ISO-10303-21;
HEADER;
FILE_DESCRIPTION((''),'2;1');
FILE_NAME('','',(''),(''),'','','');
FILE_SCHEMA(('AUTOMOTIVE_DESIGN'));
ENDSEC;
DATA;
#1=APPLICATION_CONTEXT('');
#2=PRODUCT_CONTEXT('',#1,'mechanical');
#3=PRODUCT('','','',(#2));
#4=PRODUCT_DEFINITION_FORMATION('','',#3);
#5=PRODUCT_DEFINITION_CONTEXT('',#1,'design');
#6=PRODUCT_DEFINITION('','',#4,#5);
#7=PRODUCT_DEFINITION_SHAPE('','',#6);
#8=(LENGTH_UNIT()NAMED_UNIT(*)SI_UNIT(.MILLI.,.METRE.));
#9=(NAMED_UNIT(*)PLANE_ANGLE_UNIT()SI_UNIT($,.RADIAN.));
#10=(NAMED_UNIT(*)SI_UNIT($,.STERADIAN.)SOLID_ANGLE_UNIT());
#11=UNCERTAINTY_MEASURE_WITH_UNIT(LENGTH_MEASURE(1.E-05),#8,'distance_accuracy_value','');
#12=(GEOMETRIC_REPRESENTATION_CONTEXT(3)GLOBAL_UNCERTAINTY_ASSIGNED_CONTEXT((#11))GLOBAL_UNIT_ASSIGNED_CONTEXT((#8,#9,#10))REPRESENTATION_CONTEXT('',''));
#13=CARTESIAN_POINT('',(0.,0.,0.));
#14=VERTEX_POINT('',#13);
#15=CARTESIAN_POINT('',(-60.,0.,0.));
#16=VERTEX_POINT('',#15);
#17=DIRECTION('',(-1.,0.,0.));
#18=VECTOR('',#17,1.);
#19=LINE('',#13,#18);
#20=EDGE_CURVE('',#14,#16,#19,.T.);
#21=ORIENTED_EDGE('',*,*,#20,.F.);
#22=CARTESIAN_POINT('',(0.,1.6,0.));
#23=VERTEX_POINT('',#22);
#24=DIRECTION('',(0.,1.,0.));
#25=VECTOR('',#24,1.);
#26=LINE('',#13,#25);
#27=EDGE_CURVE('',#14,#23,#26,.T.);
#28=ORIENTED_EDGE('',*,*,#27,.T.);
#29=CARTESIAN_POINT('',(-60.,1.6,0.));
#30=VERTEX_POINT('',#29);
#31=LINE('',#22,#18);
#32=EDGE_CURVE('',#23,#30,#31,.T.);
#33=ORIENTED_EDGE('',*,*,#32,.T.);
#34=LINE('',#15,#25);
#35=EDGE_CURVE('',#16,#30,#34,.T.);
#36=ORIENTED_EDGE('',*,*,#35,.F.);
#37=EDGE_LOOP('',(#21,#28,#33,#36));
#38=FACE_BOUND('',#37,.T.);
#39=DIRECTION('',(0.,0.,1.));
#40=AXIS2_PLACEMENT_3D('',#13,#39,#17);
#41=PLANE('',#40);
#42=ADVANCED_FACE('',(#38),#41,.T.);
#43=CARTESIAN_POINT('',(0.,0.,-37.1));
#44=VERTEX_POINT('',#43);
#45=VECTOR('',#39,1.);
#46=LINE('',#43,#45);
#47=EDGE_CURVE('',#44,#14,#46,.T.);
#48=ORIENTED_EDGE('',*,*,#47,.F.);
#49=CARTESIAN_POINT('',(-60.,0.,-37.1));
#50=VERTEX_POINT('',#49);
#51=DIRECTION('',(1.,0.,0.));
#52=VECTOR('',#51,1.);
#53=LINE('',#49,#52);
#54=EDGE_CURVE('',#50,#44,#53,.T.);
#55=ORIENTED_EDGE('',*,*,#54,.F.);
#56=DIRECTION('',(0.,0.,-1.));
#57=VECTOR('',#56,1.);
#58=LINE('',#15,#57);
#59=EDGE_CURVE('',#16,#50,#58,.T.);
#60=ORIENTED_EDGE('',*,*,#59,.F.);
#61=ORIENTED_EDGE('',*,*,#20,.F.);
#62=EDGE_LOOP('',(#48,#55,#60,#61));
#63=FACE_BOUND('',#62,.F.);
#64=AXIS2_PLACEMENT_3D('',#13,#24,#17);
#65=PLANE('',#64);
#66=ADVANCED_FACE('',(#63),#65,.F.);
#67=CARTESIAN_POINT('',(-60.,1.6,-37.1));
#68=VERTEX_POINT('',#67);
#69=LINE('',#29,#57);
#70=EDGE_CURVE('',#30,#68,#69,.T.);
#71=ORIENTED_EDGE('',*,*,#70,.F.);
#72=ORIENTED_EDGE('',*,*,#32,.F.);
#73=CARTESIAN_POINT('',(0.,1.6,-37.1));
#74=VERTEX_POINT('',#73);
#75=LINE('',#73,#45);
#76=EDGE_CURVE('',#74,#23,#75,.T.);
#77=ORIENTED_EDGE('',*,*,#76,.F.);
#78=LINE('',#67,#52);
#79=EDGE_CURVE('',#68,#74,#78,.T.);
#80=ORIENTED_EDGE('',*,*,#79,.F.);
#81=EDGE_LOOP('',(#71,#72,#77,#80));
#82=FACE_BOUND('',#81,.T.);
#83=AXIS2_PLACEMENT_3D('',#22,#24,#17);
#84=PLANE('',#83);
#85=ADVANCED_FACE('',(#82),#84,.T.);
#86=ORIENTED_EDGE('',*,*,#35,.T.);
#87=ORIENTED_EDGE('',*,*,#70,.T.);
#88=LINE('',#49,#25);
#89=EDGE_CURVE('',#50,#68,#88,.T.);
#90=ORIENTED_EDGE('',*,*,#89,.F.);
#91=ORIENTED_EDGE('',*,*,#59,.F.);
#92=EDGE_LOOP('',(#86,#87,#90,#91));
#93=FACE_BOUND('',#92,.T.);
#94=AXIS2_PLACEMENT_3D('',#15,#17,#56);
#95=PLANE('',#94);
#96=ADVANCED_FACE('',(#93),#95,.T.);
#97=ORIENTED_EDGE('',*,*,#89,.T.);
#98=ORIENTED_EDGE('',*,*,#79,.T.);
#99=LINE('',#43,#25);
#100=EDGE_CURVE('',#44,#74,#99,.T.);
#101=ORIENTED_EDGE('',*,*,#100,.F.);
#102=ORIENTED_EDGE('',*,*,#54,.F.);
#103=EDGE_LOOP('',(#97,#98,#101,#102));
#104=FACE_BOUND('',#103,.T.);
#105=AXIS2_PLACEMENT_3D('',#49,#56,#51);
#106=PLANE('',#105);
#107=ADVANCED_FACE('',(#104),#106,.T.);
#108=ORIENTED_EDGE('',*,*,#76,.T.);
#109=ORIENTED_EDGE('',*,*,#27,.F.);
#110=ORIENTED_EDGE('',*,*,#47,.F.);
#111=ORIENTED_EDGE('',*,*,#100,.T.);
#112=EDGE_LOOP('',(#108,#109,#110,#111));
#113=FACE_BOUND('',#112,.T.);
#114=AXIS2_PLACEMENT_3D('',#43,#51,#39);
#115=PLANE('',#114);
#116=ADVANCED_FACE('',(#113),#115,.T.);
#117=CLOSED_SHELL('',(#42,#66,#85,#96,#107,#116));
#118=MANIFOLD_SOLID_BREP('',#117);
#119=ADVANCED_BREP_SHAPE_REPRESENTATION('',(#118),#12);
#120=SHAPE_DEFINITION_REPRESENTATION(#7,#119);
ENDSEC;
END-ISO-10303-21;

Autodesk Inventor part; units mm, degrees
ref_plane "YZ Plane" through (0, 0, 0) normal (1, 0, 0) x (0, 1, 0)
ref_plane "XZ Plane" through (0, 0, 0) normal (0, 1, 0) x (-1, 0, 0)
ref_plane "XY Plane" through (0, 0, 0) normal (0, 0, 1) x (1, 0, 0)
sketch "スケッチ1" plane through (0, 0, 0) normal (0, 1, 0) x (-1, 0, 0)
  line L0 (0, 0) -> (60, 0)
  line L1 (60, 0) -> (60, -37.1)
  line L2 (60, -37.1) -> (0, -37.1)
  line L3 (0, -37.1) -> (0, 0)
  dimension "d0" = 60
  dimension "d1" = 37.1
extrude "押し出し1" add sketch "スケッチ1" along normal blind 1.6
properties part number "ConPCB"
